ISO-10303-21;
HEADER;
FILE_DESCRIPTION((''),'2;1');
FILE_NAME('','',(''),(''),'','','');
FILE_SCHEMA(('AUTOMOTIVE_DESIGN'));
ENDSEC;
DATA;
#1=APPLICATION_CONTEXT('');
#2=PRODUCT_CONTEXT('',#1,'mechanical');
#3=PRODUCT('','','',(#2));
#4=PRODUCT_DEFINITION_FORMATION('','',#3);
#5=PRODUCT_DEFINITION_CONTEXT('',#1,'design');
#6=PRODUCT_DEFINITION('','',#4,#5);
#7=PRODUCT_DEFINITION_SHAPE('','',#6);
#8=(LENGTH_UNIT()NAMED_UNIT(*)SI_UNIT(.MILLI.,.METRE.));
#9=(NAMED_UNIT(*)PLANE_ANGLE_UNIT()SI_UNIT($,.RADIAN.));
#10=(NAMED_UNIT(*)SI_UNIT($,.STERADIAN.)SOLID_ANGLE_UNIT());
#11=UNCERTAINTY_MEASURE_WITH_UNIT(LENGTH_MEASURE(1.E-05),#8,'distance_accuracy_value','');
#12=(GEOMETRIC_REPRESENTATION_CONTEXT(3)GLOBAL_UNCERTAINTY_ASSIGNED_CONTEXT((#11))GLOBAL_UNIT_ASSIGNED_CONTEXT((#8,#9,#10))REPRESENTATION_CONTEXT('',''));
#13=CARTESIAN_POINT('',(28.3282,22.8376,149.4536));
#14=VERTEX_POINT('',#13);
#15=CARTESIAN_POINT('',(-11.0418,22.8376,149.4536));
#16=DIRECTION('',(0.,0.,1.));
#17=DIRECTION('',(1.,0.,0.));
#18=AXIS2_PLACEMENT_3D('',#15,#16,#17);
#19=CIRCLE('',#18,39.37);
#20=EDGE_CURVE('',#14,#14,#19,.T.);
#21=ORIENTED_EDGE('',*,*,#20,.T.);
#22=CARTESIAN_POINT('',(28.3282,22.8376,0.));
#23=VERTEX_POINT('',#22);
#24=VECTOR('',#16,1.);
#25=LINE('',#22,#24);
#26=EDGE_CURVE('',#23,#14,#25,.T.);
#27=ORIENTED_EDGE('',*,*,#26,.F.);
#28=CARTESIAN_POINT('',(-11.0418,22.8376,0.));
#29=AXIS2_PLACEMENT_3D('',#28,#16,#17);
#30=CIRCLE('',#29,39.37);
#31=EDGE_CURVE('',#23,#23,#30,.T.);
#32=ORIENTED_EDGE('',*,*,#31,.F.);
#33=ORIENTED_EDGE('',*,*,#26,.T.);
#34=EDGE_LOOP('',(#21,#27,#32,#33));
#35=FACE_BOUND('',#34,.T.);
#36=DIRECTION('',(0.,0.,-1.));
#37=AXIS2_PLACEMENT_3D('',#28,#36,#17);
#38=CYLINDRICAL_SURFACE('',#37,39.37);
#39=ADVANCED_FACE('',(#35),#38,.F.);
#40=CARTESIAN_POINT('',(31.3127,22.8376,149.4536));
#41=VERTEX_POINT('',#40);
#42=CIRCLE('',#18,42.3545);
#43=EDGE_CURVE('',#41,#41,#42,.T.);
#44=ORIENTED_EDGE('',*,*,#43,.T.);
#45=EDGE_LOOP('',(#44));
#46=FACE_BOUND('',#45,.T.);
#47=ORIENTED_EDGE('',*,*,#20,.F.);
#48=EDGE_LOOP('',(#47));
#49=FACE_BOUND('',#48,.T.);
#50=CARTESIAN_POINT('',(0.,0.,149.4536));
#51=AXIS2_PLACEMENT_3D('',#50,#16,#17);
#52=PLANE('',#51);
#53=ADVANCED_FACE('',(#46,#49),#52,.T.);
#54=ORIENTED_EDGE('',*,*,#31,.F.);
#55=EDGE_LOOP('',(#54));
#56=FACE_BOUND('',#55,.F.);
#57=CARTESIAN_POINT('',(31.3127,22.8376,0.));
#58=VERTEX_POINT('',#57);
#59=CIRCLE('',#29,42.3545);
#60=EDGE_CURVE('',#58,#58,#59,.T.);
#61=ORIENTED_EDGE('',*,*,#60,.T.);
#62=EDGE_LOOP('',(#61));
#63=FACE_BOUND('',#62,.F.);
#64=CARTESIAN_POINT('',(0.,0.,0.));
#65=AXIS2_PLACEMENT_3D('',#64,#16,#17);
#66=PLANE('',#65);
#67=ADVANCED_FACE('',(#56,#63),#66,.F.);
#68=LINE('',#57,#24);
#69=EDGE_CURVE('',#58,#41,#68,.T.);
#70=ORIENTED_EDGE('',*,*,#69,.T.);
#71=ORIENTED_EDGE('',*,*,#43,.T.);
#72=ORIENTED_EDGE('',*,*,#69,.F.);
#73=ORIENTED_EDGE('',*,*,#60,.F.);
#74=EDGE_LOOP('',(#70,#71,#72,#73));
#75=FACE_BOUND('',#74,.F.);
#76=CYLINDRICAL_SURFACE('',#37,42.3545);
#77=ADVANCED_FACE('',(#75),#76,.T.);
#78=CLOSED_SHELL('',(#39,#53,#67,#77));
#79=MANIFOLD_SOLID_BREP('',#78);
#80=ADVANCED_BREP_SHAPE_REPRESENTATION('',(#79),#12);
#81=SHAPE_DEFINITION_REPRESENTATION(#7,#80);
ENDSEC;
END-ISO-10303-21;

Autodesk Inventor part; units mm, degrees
ref_plane "YZ Plane" through (0, 0, 0) normal (1, 0, 0) x (0, 1, 0)
ref_plane "XZ Plane" through (0, 0, 0) normal (0, 1, 0) x (-1, 0, 0)
ref_plane "XY Plane" through (0, 0, 0) normal (0, 0, 1) x (1, 0, 0)
sketch "Sketch1" plane through (0, 0, 0) normal (0, 0, 1) x (1, 0, 0)
  circle A0 centre (-11.0418, 22.8376) radius 42.3545
  circle A1 centre (-11.0418, 22.8376) radius 39.37
  point P0 (0, 0)
  dimension "d0" = 84.709
  dimension "d1" = 78.74
extrude "Extrusion1" add sketch "Sketch1" along normal blind 149.4536
properties part number "mesh intake part"
